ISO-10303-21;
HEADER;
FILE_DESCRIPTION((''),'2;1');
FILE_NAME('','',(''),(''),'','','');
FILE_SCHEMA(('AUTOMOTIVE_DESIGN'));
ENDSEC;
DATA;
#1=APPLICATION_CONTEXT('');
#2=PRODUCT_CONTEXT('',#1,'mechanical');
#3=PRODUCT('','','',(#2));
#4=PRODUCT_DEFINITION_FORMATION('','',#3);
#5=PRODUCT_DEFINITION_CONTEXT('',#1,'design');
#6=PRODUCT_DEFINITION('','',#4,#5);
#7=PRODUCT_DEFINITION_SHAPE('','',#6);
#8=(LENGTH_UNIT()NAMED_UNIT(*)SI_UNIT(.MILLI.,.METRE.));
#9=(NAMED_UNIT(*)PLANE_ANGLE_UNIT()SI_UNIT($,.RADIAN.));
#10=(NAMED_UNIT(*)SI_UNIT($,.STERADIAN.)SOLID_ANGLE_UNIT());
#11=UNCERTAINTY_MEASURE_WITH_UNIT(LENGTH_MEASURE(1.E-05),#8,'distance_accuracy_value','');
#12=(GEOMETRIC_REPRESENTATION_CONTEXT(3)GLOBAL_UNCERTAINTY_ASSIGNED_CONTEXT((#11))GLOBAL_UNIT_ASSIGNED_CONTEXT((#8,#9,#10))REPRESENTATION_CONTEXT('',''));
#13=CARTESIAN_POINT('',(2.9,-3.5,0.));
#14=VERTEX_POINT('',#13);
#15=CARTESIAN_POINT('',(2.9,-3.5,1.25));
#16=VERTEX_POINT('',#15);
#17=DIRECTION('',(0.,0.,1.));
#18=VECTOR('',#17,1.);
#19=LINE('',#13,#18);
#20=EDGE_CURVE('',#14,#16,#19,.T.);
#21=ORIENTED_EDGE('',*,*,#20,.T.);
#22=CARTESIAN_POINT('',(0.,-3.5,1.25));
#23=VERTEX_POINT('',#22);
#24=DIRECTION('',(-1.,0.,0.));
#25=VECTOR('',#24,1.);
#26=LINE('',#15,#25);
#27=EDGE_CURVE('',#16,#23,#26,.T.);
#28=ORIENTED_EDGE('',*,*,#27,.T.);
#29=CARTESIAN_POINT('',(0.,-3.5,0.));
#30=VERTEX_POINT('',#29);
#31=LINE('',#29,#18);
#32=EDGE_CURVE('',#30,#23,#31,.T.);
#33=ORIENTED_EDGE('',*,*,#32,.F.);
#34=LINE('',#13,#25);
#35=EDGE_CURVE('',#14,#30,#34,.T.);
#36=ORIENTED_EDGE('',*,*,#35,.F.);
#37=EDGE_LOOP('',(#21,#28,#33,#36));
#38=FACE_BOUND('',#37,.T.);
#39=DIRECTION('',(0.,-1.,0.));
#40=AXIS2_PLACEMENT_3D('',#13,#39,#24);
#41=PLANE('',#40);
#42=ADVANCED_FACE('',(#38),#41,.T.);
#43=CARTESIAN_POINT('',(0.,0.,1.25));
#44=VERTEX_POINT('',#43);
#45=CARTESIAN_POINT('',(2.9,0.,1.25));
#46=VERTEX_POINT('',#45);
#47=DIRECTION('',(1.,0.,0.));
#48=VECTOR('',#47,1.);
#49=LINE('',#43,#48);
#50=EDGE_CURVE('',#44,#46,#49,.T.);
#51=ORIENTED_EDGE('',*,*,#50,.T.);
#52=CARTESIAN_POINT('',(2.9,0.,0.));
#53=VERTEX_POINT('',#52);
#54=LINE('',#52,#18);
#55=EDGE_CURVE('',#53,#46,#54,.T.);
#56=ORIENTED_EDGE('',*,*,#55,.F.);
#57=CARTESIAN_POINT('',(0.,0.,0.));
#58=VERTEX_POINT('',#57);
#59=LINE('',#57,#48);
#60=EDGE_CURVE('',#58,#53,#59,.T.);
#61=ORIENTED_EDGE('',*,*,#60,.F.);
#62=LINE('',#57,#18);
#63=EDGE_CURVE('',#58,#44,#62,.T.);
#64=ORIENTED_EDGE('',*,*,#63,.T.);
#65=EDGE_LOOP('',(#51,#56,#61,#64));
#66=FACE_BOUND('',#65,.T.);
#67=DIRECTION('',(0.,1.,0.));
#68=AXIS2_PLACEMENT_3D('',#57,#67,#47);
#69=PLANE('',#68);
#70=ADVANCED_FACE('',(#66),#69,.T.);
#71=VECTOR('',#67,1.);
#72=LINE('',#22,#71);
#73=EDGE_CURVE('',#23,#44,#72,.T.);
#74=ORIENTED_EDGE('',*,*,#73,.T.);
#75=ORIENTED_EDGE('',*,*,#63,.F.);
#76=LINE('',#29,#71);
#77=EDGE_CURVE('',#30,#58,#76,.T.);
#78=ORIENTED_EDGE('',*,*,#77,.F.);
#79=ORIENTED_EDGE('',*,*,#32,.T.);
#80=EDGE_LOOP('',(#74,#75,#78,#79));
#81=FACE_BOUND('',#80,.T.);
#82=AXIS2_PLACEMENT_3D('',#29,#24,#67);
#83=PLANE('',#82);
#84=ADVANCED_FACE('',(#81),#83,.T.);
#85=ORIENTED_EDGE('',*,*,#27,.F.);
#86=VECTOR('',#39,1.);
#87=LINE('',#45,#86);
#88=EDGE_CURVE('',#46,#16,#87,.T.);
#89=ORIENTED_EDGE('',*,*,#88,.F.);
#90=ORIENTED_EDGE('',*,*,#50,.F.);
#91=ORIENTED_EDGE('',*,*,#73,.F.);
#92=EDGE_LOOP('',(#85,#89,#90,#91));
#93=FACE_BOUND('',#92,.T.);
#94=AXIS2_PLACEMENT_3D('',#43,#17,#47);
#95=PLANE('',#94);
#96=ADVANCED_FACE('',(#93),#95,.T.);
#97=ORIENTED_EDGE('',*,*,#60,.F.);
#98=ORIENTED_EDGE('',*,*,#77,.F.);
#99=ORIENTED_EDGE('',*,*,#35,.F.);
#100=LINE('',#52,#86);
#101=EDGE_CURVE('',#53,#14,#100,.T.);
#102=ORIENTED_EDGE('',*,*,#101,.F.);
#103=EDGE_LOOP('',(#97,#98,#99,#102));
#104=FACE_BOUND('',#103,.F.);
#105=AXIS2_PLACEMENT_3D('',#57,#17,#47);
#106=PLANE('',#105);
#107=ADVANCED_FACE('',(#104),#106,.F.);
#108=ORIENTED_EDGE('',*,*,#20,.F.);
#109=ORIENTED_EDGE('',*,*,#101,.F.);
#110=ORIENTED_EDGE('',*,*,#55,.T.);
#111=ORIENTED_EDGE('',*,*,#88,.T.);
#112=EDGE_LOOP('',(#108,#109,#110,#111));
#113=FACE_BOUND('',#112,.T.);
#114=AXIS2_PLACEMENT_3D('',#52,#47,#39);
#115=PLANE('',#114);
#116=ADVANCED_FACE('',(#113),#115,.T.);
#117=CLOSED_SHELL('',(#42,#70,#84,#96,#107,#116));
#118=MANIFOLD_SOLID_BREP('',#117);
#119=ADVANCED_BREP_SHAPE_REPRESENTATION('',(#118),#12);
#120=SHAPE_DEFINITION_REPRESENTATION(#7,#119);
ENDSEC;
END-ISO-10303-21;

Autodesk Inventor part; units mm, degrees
ref_plane "YZ Plane" through (0, 0, 0) normal (1, 0, 0) x (0, 1, 0)
ref_plane "XZ Plane" through (0, 0, 0) normal (0, 1, 0) x (-1, 0, 0)
ref_plane "XY Plane" through (0, 0, 0) normal (0, 0, 1) x (1, 0, 0)
sketch "Sketch1" plane through (0, 0, 0) normal (0, 0, 1) x (1, 0, 0)
  line L0 (0, 0) -> (2.9, 0)
  line L1 (2.9, 0) -> (2.9, -3.5)
  line L2 (2.9, -3.5) -> (0, -3.5)
  line L3 (0, -3.5) -> (0, 0)
  dimension "d0" = 2.9
  dimension "d1" = 3.5
extrude "Extrusion1" add sketch "Sketch1" along normal blind 1.25
properties part number "SKSCPAE010"
